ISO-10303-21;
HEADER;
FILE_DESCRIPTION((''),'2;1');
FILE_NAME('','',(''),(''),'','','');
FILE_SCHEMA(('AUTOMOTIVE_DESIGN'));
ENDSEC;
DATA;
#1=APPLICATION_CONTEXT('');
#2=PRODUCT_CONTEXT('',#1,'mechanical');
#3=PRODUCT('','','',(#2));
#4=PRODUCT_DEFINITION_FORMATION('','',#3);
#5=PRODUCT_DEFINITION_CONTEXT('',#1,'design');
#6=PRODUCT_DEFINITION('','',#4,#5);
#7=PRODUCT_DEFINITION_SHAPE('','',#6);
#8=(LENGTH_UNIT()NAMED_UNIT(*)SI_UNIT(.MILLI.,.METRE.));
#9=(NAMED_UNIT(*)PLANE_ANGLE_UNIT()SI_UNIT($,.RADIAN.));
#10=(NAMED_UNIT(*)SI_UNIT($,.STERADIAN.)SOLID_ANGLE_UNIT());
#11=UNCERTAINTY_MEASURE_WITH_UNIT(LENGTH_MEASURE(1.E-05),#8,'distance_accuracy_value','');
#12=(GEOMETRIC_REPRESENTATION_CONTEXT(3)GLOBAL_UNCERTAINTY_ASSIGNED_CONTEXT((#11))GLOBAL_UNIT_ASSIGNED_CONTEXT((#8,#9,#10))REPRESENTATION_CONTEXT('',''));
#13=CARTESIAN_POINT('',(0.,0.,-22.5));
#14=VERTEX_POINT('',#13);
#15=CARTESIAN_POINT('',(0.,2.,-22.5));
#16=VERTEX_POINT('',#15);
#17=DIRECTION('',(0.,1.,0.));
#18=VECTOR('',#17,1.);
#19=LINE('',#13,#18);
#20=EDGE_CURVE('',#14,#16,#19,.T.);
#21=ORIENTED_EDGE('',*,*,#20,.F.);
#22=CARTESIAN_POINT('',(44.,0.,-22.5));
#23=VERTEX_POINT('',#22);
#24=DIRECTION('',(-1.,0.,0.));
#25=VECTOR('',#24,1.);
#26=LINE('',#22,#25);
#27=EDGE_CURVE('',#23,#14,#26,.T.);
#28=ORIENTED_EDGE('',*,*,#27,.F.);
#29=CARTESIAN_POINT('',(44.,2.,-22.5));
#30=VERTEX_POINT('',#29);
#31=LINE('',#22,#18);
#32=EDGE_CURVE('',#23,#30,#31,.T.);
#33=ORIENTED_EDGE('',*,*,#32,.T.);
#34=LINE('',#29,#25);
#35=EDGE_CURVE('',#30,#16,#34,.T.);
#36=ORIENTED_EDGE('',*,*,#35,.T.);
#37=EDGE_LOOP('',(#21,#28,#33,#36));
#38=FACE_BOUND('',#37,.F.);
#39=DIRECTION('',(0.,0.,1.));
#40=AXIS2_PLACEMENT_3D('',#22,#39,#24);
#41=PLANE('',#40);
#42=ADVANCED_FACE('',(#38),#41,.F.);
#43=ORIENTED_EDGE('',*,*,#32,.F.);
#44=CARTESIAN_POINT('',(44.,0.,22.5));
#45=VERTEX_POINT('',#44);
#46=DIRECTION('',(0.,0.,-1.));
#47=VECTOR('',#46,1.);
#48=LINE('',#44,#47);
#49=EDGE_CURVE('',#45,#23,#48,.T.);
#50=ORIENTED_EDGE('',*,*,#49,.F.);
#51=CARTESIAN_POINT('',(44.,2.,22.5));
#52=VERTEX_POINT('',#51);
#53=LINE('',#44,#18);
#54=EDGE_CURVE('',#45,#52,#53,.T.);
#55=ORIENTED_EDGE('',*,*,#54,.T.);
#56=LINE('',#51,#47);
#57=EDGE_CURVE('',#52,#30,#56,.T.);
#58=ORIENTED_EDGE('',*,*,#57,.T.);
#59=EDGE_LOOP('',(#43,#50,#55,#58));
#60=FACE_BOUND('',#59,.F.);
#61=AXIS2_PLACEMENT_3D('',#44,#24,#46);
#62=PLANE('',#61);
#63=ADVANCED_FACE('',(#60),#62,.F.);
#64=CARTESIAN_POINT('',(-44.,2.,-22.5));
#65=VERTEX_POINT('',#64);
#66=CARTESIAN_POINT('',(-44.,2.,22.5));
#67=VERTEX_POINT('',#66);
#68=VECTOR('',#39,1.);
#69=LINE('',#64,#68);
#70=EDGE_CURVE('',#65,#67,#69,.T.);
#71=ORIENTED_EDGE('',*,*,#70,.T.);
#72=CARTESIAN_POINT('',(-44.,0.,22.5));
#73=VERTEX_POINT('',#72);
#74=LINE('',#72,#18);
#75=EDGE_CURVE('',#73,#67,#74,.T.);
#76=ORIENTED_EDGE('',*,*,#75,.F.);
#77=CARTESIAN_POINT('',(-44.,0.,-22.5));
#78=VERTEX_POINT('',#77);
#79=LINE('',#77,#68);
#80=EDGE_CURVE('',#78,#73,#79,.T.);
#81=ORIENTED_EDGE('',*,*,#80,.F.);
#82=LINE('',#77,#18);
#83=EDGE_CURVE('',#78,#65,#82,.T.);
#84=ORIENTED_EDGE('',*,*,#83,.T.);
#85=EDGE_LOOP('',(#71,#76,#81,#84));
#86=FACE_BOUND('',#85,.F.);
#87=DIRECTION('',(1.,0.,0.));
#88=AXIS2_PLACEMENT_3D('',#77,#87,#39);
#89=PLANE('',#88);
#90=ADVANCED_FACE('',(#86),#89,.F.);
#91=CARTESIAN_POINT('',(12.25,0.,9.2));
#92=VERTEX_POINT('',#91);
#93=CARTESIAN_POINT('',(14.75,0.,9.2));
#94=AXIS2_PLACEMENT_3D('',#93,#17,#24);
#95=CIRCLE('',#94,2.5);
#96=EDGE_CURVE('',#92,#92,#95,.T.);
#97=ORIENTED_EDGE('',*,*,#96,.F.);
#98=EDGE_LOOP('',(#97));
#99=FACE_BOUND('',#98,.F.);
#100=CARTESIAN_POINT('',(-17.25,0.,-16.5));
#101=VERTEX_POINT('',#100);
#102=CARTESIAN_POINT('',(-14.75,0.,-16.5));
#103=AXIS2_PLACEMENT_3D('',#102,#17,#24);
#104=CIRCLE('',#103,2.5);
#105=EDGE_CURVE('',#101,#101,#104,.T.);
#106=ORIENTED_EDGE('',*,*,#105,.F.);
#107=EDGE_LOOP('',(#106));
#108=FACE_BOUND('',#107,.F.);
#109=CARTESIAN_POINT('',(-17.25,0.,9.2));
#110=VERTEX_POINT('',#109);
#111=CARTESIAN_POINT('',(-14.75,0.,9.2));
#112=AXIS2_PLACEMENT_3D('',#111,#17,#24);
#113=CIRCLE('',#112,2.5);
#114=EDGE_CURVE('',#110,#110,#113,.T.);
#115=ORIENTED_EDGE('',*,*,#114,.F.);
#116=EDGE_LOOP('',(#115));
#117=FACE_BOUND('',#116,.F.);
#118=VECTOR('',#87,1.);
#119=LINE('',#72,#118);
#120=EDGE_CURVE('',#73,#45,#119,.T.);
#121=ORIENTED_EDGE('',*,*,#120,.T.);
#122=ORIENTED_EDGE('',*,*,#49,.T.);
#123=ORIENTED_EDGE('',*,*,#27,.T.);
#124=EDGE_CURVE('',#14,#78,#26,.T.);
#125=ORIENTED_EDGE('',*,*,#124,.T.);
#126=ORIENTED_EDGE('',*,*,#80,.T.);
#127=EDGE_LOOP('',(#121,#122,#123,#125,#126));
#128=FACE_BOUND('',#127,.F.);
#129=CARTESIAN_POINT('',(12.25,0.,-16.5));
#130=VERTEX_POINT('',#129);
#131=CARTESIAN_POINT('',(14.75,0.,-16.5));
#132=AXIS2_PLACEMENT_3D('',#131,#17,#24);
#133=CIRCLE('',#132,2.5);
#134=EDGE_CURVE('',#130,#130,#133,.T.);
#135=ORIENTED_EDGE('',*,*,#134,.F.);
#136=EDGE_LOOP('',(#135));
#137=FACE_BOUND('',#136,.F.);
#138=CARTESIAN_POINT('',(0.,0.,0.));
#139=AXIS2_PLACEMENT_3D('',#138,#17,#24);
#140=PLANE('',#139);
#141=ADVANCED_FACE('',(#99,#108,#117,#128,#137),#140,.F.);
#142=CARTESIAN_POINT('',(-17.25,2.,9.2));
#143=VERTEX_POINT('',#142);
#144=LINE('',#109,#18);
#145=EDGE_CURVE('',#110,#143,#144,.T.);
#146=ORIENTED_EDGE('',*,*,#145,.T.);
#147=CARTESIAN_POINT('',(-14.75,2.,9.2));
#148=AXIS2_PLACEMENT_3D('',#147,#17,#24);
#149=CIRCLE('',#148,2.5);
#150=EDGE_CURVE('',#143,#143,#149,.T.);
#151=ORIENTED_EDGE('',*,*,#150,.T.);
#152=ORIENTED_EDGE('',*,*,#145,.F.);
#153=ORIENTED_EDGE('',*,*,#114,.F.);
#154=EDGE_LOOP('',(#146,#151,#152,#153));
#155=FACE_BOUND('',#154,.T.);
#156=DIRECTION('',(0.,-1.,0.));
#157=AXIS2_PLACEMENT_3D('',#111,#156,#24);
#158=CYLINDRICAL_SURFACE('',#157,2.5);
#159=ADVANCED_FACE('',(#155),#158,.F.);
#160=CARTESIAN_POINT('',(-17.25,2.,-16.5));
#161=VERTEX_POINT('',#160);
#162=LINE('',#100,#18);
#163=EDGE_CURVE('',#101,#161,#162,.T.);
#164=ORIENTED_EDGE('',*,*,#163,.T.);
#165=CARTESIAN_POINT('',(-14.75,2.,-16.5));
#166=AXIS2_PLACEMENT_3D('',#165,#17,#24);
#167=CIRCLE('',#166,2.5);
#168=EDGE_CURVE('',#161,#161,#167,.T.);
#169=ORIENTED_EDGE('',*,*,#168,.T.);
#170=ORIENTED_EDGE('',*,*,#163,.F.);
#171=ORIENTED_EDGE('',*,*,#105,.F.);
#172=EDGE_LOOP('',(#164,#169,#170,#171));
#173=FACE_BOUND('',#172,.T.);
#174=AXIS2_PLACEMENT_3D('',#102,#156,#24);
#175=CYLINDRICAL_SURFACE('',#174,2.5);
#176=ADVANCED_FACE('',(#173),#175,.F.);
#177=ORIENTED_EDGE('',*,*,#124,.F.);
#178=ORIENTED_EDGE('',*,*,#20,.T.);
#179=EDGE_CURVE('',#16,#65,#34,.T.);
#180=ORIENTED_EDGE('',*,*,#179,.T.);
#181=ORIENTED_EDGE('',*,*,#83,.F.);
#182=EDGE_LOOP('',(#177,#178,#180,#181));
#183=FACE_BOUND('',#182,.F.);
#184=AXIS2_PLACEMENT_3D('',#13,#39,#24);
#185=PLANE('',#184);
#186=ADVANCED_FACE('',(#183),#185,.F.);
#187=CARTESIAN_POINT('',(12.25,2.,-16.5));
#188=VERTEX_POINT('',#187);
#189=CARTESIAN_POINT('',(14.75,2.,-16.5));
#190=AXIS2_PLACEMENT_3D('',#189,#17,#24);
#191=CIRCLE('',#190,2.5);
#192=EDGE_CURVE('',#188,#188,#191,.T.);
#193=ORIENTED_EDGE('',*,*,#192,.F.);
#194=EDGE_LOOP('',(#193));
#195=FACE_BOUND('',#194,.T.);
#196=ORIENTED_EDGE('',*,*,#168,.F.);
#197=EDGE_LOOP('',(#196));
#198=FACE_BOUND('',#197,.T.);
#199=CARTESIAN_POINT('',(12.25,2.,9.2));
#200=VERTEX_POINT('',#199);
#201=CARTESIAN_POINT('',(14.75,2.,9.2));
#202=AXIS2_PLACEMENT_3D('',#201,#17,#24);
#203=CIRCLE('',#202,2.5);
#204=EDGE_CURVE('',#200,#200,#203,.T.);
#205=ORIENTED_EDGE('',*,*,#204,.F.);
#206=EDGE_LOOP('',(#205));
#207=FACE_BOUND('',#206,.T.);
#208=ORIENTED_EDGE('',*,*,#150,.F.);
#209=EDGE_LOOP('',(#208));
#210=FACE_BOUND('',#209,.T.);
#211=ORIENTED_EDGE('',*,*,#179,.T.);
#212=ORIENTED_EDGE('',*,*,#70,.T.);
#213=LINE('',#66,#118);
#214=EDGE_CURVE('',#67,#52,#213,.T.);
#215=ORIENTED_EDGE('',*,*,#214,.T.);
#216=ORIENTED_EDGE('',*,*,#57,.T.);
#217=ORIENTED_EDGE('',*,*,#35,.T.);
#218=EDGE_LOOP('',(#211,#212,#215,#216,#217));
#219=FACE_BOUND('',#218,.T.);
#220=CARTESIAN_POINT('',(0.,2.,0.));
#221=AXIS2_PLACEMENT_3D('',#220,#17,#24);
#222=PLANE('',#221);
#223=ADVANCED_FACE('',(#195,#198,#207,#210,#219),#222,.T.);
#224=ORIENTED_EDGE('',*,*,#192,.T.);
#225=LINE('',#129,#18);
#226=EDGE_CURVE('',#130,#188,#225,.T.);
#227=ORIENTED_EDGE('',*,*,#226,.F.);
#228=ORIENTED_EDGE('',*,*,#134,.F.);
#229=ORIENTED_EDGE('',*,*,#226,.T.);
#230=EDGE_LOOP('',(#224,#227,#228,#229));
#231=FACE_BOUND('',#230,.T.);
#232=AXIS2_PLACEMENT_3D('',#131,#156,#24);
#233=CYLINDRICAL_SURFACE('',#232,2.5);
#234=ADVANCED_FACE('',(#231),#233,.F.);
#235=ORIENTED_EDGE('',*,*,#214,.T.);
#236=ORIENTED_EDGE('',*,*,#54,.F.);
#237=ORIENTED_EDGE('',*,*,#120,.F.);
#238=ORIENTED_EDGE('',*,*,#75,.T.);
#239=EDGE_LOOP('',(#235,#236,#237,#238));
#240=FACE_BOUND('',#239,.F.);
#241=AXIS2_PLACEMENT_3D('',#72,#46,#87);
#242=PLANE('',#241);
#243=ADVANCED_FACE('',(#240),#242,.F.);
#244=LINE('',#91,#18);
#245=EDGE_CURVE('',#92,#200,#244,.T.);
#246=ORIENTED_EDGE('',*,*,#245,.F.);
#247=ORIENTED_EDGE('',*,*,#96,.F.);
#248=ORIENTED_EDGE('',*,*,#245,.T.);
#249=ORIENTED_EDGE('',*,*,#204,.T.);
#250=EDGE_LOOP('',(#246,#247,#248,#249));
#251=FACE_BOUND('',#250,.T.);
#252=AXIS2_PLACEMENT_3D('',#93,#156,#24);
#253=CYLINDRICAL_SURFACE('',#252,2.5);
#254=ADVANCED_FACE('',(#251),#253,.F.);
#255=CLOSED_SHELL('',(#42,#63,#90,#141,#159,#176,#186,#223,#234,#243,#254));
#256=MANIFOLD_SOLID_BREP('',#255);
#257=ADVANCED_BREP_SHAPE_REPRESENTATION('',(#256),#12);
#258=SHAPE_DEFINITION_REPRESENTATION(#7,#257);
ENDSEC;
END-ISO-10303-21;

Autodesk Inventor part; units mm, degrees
ref_plane "YZ Plane" through (0, 0, 0) normal (1, 0, 0) x (0, 1, 0)
ref_plane "XZ Plane" through (0, 0, 0) normal (0, 1, 0) x (-1, 0, 0)
ref_plane "XY Plane" through (0, 0, 0) normal (0, 0, 1) x (1, 0, 0)
sketch "Boceto1" plane through (0, 0, 0) normal (0, 1, 0) x (-1, 0, 0)
  line L0 (44, 22.5) -> (-44, 22.5)
  line L1 (-44, 22.5) -> (-44, -22.5)
  line L2 (-44, -22.5) -> (44, -22.5)
  line L3 (44, -22.5) -> (44, 22.5)
  line L4 (44, 22.5) -> (-44, -22.5) construction
  circle A0 centre (14.75, -16.5) radius 2.5
  circle A1 centre (14.75, 9.2) radius 2.5
  line L5 (14.75, -16.5) -> (-14.75, -16.5) construction
  line L6 (-14.75, -16.5) -> (-14.75, 9.2) construction
  line L7 (-14.75, 9.2) -> (14.75, 9.2) construction
  line L8 (14.75, 9.2) -> (14.75, -16.5) construction
  line L9 (0, 0) -> (0, -30.1177)
  circle A2 centre (-14.75, -16.5) radius 2.5
  circle A3 centre (-14.75, 9.2) radius 2.5
  dimension "d0" = 88
  dimension "d1" = 45
  dimension "d4" = 5
  dimension "d5" = 25.7
  dimension "d6" = 6
  dimension "d7" = 29.5
extrude "Extrusión1" add sketch "Boceto1" along normal blind 2
properties part number "PlacaSTC-HH20"
